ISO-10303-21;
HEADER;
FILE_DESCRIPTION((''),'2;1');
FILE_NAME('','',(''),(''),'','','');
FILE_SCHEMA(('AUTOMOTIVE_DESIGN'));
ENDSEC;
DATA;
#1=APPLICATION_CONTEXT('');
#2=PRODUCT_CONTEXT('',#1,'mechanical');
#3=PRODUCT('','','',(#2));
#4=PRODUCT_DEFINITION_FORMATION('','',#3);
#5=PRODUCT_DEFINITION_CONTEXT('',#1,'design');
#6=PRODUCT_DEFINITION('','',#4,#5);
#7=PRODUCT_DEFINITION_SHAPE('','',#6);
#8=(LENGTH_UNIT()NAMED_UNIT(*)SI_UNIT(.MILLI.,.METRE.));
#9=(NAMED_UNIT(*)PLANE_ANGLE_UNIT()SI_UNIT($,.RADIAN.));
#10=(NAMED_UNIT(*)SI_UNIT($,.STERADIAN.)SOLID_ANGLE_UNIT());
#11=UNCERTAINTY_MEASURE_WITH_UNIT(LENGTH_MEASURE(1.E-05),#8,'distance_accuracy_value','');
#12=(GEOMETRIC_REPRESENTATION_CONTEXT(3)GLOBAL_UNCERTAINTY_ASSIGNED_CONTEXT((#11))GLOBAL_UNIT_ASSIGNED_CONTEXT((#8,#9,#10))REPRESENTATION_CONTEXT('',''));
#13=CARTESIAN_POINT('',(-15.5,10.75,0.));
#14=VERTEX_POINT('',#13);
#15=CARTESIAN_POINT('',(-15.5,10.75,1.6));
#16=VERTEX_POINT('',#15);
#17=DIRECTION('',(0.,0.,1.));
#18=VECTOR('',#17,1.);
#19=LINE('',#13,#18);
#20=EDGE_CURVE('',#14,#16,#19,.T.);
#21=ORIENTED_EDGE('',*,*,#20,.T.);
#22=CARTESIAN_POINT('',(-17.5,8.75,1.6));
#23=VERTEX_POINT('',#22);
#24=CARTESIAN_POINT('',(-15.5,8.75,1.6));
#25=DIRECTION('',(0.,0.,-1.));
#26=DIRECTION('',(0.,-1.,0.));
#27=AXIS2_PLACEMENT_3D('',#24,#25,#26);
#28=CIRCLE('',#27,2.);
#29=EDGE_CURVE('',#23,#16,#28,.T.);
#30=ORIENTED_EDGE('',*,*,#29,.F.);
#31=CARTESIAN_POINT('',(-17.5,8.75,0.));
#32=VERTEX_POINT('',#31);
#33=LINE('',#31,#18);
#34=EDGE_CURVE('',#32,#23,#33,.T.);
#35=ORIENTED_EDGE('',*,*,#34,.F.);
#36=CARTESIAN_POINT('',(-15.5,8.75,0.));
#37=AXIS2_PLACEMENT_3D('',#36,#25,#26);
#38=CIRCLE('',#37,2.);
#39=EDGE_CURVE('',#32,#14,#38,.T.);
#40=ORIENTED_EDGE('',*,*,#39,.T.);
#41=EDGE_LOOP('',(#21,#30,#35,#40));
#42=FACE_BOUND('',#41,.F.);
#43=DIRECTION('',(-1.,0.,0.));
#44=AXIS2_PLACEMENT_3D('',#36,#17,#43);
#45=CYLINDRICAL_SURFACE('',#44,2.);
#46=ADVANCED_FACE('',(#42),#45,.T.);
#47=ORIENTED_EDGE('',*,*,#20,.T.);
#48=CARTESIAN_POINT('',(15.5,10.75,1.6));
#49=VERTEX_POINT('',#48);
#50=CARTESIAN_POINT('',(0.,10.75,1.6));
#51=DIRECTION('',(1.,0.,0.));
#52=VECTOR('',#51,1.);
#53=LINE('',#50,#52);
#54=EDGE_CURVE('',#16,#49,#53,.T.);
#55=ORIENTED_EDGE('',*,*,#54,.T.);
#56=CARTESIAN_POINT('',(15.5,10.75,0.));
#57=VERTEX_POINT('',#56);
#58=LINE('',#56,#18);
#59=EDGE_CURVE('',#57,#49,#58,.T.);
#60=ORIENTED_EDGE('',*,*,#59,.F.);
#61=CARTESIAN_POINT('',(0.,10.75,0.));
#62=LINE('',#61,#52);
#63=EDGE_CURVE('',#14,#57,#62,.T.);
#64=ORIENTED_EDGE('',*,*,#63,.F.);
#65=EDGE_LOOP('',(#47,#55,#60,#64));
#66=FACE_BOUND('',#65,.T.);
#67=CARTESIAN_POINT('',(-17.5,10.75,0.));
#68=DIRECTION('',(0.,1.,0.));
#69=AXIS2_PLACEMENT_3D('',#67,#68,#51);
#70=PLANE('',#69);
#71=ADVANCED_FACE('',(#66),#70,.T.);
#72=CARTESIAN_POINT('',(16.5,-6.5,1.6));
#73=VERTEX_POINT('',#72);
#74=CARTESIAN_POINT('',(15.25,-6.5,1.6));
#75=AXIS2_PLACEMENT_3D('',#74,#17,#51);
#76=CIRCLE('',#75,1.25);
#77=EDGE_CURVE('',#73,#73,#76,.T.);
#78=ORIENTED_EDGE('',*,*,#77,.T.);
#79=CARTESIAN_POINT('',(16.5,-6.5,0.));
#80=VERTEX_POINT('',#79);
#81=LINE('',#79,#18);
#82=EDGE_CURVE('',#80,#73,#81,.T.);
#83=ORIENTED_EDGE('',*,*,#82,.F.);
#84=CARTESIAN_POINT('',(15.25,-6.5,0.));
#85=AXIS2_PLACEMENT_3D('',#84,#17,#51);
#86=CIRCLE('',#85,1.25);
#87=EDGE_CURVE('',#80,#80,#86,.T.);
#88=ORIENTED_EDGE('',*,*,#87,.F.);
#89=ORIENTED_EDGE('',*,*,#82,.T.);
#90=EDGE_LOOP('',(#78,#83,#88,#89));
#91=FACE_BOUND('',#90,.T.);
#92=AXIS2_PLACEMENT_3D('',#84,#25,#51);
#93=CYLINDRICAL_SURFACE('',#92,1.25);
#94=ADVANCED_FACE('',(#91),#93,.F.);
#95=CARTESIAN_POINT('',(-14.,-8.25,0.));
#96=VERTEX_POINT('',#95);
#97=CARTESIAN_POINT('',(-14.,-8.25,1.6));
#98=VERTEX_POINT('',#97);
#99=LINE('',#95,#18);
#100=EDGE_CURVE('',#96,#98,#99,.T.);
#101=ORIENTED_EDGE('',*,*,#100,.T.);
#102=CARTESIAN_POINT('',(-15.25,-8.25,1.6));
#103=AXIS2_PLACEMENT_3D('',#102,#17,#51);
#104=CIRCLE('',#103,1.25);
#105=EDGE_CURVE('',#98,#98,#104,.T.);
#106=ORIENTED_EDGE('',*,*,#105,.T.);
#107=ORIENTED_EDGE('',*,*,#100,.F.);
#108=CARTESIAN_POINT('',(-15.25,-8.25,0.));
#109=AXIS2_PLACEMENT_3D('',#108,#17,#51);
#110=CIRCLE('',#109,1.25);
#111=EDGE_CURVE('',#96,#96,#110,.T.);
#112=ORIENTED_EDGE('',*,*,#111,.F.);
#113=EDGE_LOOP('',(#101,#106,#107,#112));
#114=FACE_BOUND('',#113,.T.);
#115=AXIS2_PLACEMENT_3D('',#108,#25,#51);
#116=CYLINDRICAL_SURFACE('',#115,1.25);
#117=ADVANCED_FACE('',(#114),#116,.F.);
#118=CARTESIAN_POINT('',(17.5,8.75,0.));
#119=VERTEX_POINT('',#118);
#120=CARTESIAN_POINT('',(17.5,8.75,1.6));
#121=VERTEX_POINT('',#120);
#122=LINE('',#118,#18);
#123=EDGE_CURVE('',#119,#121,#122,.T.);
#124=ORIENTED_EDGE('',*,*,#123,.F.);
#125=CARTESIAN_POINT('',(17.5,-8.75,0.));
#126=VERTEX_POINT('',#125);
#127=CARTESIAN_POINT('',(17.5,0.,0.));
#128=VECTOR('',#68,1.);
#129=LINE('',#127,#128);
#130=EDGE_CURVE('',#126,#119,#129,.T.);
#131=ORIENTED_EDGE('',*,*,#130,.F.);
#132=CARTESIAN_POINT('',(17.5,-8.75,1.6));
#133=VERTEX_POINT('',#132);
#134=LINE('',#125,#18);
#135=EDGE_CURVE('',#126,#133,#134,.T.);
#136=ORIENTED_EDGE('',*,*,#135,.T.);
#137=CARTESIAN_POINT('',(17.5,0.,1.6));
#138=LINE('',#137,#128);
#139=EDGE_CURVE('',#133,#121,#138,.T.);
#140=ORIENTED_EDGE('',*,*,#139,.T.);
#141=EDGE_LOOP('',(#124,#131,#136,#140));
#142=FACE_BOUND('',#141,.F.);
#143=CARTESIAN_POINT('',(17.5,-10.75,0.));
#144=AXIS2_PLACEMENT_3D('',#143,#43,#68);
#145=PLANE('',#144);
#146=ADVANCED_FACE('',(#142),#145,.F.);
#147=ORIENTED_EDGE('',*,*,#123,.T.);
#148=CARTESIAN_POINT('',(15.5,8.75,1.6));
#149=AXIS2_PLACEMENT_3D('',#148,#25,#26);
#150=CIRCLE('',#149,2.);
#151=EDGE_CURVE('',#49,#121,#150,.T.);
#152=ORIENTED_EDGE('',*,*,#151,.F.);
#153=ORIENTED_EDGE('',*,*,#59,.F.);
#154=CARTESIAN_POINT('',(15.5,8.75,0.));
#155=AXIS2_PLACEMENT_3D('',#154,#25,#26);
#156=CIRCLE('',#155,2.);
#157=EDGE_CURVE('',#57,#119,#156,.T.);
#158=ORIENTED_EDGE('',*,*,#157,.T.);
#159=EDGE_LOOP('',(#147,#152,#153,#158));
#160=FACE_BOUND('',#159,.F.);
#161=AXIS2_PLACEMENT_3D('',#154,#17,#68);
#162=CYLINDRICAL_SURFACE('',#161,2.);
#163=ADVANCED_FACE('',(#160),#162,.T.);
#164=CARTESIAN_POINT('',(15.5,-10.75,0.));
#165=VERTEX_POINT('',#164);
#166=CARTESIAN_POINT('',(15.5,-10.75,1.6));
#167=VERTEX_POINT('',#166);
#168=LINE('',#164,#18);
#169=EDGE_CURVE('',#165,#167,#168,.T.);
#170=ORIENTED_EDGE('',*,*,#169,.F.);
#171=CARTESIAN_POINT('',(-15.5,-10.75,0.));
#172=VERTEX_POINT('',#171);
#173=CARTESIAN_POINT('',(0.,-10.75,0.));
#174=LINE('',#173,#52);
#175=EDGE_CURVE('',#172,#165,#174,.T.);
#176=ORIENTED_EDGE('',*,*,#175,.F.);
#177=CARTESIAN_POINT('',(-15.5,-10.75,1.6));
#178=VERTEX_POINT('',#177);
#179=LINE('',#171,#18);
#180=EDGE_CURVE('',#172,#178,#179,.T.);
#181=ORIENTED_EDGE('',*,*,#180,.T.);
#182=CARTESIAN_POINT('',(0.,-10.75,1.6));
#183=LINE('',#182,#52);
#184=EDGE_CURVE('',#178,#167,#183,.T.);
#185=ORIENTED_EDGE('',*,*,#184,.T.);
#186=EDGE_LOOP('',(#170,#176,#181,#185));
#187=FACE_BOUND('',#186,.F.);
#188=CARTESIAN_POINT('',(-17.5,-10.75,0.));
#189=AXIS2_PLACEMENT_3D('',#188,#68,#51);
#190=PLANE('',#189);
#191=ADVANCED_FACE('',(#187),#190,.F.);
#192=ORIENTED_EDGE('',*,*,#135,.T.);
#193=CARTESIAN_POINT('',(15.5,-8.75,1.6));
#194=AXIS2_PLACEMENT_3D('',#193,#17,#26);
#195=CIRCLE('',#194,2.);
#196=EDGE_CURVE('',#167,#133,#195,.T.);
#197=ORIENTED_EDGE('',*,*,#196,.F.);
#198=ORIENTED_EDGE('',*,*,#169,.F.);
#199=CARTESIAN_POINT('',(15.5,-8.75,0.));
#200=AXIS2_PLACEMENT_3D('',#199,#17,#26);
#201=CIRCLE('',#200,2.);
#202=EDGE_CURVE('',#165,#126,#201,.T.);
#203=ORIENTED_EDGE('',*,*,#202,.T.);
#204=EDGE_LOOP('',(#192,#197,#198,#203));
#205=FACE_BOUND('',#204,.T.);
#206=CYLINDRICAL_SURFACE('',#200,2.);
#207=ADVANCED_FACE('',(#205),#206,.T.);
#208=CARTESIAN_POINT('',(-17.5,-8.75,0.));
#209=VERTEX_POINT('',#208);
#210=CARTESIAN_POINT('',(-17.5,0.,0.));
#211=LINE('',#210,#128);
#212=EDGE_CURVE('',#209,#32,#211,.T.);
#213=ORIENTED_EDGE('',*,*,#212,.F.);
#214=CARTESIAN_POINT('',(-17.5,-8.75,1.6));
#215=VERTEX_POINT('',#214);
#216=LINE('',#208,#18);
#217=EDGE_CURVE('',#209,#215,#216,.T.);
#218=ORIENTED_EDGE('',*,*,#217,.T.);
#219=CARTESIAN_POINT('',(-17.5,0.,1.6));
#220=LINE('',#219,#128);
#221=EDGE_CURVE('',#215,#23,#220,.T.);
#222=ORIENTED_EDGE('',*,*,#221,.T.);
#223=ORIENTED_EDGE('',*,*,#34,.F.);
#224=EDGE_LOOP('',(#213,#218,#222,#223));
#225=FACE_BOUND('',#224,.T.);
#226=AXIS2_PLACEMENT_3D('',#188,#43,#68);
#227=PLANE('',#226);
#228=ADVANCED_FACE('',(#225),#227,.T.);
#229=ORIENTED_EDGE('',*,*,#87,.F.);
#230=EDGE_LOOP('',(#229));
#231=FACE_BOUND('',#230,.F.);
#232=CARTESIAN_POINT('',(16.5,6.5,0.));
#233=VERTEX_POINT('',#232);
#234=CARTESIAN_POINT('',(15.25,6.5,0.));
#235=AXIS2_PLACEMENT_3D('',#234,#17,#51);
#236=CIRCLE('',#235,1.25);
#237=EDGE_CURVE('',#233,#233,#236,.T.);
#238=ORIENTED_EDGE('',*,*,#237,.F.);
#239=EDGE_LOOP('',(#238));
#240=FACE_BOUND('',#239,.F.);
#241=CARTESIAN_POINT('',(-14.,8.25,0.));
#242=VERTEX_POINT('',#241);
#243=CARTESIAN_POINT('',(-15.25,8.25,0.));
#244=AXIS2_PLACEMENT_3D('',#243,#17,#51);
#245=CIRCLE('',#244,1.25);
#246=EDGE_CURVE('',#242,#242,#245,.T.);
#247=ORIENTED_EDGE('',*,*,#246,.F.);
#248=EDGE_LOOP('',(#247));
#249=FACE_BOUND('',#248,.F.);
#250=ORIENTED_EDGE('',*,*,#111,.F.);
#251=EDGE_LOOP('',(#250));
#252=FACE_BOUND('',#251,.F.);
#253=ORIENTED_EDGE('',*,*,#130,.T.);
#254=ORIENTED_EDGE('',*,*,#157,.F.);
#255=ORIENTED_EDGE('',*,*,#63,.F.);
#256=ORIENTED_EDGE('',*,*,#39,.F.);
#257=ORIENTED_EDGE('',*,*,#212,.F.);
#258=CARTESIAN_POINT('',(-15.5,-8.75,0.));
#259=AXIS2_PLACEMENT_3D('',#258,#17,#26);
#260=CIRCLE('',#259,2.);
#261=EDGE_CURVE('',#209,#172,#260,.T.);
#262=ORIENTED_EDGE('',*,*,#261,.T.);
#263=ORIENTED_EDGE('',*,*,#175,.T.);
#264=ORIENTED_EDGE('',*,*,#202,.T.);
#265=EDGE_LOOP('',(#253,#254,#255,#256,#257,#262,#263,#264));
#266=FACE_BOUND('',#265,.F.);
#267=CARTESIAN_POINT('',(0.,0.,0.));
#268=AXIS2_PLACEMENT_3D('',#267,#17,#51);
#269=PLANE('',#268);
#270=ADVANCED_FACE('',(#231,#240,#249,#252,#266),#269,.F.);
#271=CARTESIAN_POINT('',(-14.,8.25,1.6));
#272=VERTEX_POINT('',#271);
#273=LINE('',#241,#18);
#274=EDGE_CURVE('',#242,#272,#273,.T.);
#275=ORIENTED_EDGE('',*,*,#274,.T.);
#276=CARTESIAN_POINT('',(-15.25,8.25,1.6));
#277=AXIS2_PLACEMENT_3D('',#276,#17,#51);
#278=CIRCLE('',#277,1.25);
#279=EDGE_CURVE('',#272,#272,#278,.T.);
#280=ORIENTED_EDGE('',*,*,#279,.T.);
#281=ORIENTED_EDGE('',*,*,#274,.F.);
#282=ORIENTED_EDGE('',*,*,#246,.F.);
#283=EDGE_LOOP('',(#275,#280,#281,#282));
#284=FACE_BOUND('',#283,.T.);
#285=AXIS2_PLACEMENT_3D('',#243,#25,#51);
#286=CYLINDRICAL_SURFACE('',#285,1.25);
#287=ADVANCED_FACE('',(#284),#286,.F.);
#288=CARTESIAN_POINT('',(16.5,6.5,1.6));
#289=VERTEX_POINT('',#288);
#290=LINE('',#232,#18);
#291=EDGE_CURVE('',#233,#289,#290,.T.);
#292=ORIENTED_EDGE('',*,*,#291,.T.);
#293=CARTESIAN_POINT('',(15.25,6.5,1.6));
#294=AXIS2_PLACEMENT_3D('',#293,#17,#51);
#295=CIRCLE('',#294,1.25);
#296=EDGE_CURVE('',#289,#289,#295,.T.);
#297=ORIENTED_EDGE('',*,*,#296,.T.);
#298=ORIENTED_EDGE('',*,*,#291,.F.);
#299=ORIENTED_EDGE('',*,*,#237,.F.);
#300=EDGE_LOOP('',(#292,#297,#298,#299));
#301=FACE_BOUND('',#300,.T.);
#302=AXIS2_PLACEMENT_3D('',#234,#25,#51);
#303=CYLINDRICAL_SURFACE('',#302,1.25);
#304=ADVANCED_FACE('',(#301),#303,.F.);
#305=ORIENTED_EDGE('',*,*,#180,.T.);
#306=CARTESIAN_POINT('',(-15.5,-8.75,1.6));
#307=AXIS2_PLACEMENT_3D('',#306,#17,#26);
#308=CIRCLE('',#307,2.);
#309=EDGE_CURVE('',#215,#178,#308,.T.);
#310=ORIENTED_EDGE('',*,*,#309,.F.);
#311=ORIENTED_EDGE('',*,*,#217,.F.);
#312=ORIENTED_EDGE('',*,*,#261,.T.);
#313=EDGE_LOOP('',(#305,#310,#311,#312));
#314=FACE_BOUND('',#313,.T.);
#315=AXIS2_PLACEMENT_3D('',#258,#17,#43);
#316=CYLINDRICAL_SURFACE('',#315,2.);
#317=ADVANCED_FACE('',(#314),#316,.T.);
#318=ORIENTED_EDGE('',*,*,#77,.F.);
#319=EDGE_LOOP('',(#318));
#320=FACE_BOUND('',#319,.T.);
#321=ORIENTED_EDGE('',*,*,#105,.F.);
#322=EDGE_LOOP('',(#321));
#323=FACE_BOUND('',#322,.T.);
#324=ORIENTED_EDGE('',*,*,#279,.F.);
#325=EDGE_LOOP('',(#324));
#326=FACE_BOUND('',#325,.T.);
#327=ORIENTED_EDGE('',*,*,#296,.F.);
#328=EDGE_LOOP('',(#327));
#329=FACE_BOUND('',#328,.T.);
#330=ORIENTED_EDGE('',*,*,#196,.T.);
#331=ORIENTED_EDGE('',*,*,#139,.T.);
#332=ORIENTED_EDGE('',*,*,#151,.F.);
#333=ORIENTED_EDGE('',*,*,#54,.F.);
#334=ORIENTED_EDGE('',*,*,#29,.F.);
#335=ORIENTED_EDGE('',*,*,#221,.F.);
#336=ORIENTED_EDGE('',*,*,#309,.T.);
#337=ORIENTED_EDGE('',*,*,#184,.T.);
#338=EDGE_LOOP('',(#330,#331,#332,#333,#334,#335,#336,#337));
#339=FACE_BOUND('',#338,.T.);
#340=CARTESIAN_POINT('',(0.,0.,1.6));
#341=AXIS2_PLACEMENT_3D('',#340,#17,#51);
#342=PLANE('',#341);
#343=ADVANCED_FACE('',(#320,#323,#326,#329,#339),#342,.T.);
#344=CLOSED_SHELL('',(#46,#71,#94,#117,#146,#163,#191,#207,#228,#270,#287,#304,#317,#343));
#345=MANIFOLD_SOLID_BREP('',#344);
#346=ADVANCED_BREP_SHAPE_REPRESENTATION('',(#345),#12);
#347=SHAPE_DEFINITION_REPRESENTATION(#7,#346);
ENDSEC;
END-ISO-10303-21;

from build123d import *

# Parameters (mm, degrees)
F0_W     = 35
F0_H     = 21.5
F0_R     = 1.25
F1_DEPTH = 1.6
F2_R     = 2


with BuildPart() as f1:
    # F0 (on Top) → F1 (new body)
    with BuildSketch(Plane.XY):
        Rectangle(F0_W, F0_H)
        with Locations((-15.25, -8.25)):
            Circle(F0_R, mode=Mode.SUBTRACT)
        with Locations((15.25, -6.5)):
            Circle(F0_R, mode=Mode.SUBTRACT)
        with Locations((-15.25, 8.25)):
            Circle(F0_R, mode=Mode.SUBTRACT)
        with Locations((15.25, 6.5)):
            Circle(F0_R, mode=Mode.SUBTRACT)
    extrude(amount=F1_DEPTH)

    # F2
    f2_edges = [f1.edges().sort_by_distance(p)[0] for p in [
        (-17.5, -10.75, 0.8),
        (17.5, -10.75, 0.8),
        (17.5, 10.75, 0.8),
        (-17.5, 10.75, 0.8),
    ]]
    fillet(f2_edges, radius=F2_R)


solid = f1.part
